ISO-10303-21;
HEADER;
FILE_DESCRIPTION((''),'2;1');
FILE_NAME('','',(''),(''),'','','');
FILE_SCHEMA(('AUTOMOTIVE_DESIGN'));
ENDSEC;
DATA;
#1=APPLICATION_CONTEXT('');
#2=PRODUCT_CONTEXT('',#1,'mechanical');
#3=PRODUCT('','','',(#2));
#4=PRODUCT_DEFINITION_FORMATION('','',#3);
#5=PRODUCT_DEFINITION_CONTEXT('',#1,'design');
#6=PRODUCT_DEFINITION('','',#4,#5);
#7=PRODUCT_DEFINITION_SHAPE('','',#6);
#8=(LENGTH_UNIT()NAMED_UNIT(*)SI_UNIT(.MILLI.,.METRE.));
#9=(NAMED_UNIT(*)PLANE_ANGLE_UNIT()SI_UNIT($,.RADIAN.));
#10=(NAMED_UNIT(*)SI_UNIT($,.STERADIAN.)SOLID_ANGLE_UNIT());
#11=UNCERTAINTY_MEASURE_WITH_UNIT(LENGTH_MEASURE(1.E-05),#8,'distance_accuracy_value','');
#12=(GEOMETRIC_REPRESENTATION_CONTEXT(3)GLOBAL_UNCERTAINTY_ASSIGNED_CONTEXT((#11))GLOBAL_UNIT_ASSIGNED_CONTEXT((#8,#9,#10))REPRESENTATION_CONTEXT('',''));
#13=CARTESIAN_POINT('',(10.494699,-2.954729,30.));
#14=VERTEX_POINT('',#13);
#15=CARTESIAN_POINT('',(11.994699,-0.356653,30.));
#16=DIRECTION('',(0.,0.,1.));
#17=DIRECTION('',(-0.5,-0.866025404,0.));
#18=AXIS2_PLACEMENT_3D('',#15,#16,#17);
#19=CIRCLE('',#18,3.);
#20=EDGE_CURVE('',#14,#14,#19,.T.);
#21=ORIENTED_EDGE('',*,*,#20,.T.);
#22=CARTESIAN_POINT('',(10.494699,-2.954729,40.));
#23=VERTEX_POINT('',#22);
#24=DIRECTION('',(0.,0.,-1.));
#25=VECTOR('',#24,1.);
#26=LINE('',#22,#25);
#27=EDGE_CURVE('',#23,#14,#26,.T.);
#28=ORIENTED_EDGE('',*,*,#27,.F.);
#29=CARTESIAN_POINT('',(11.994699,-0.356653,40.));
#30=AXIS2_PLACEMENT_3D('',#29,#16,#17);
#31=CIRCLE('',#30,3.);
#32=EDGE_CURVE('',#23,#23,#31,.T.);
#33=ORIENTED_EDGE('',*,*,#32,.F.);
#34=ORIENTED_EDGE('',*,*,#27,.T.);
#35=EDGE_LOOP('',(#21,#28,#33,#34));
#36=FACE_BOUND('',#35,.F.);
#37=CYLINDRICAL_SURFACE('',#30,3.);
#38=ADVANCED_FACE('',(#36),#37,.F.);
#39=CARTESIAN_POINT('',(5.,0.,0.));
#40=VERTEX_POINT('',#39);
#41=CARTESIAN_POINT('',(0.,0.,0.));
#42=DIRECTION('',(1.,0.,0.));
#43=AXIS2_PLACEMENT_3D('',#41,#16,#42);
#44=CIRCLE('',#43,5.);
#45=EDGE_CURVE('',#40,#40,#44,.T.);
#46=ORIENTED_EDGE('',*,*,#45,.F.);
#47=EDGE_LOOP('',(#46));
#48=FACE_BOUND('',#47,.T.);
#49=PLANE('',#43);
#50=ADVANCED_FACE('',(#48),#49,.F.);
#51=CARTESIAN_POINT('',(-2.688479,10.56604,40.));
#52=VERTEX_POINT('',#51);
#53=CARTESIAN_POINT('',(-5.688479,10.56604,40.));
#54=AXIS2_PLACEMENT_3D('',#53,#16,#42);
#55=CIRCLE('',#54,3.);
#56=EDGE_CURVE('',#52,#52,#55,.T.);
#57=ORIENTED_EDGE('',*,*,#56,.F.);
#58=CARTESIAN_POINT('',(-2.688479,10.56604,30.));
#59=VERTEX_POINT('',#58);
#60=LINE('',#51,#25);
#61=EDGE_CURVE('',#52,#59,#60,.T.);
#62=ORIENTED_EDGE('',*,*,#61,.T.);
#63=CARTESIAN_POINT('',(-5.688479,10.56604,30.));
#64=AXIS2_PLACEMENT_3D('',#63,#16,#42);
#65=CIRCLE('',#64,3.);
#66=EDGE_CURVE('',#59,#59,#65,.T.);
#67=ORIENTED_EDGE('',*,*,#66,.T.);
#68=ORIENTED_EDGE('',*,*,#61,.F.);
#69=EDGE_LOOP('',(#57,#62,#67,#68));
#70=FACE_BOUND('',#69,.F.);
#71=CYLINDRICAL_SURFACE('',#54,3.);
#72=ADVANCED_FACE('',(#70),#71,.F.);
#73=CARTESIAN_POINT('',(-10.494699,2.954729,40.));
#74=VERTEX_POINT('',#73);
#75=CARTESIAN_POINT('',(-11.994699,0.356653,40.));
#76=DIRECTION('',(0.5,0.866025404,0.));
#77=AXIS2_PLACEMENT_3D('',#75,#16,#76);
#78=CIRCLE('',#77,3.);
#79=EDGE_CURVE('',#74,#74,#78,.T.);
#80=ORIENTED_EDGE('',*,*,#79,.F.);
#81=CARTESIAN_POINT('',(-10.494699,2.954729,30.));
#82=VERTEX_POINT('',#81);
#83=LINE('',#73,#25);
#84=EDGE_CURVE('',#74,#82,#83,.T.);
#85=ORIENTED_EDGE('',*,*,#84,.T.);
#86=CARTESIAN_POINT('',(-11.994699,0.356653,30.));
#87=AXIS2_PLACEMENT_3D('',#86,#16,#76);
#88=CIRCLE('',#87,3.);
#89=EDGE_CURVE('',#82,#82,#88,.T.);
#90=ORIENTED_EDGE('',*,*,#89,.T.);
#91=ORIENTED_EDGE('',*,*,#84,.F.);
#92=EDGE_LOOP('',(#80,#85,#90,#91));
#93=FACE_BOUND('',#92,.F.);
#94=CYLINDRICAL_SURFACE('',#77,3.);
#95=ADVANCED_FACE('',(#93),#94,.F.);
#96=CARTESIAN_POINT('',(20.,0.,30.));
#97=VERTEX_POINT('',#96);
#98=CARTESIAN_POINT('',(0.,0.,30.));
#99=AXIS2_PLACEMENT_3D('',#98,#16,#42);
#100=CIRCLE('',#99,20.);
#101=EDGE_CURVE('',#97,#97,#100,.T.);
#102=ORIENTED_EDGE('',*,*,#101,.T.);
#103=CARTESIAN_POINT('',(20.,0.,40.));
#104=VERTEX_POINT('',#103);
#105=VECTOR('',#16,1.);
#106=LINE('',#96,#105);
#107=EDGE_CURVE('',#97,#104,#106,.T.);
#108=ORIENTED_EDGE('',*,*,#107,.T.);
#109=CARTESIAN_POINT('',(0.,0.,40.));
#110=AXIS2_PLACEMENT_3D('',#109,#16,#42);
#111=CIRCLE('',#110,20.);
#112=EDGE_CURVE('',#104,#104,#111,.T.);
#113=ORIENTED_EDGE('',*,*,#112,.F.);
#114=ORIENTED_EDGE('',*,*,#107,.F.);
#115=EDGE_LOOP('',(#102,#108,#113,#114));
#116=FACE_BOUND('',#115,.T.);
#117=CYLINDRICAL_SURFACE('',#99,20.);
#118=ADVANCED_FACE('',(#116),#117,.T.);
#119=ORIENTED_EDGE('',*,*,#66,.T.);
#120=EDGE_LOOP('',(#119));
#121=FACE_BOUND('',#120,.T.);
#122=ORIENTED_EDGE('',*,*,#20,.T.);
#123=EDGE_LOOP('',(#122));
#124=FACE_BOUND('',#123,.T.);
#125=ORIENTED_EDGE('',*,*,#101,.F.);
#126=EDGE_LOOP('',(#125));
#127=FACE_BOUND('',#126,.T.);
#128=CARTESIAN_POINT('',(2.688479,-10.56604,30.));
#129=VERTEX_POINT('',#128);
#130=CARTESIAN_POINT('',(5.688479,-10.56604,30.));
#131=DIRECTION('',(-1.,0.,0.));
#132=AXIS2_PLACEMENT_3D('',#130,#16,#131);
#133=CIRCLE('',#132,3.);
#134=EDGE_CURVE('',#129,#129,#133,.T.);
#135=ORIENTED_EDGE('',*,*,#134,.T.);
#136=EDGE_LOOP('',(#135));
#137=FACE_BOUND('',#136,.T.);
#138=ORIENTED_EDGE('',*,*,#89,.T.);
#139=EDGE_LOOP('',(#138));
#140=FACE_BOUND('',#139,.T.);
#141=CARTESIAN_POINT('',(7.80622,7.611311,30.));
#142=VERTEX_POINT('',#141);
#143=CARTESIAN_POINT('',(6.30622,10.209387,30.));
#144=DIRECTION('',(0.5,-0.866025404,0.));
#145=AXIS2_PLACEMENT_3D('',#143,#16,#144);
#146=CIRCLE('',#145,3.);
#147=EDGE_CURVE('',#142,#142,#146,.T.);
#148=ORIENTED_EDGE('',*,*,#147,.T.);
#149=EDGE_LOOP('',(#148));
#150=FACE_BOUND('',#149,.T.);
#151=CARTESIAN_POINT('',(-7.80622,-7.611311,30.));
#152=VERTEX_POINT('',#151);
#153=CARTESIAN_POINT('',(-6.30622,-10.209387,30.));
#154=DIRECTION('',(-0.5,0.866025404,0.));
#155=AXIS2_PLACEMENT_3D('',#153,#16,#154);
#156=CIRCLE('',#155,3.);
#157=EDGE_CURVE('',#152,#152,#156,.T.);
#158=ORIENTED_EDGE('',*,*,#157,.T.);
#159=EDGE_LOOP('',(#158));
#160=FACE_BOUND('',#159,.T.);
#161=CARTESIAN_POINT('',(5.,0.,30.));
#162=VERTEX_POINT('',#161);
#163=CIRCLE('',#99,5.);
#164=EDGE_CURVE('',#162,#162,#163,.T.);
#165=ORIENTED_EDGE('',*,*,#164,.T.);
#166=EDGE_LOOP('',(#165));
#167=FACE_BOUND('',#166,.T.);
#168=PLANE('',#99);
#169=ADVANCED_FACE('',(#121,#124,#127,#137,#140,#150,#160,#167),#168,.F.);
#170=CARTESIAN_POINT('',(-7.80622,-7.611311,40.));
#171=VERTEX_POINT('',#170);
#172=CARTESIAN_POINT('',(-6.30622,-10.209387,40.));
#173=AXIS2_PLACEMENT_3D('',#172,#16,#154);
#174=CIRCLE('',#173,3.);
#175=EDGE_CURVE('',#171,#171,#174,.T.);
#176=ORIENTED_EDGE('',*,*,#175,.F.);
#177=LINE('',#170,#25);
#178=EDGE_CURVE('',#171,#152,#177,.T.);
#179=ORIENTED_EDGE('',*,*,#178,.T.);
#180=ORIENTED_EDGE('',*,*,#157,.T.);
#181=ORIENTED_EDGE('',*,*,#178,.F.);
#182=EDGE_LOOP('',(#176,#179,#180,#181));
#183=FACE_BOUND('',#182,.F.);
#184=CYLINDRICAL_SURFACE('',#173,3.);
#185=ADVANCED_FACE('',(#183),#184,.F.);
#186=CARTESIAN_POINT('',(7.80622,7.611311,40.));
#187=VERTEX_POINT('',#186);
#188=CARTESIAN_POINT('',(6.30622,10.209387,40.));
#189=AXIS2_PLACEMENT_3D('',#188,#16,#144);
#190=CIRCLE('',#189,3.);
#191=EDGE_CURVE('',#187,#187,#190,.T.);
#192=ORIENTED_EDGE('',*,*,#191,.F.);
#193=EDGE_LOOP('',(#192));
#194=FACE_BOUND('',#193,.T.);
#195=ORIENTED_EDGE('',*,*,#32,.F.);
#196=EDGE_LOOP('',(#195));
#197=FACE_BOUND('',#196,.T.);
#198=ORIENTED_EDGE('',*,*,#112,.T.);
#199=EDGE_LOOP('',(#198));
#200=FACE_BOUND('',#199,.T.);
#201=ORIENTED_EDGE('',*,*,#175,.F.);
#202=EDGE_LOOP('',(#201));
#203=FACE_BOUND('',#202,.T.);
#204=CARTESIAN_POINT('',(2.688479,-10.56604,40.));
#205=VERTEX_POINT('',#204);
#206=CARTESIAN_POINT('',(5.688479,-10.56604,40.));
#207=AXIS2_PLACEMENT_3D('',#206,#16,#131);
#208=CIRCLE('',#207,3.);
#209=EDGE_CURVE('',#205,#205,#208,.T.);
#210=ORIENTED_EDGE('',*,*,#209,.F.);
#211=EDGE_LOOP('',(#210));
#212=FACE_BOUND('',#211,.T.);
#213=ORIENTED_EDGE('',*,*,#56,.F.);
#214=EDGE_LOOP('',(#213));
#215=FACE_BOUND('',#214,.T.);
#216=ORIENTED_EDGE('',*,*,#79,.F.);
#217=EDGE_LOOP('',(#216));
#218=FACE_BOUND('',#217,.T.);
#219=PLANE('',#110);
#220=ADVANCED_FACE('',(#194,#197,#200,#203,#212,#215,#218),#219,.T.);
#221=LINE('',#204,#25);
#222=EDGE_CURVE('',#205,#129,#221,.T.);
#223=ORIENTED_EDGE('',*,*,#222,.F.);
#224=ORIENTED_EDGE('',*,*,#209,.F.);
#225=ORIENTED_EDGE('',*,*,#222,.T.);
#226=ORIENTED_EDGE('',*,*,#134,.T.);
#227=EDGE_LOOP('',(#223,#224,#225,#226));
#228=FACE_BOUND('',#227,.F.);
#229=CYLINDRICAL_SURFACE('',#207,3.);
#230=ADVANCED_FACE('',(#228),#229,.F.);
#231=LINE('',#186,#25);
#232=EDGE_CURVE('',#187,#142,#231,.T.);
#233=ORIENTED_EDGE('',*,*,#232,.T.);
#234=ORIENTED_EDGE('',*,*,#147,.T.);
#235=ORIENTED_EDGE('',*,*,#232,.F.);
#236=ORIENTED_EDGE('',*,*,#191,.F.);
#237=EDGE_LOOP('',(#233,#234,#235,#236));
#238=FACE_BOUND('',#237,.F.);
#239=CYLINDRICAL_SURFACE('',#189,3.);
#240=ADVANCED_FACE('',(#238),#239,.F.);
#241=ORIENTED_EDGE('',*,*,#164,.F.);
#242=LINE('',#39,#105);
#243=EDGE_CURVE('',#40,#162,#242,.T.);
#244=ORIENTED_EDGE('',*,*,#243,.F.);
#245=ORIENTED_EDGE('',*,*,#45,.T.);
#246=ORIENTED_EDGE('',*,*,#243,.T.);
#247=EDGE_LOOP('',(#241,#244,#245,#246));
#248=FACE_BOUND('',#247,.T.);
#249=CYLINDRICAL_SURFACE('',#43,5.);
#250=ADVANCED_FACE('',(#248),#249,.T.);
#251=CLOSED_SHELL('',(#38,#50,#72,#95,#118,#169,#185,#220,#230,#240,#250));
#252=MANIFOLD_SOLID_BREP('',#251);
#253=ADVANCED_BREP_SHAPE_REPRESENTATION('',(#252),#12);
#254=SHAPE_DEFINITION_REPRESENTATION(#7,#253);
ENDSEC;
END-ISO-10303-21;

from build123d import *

# Parameters (mm, degrees)
SKETCH001_R        = 3
POCKET_DEPTH       = 10
POLARPATTERN_COUNT = 6


with BuildPart() as part:
    # Sketch → Revolution (revolve)
    with BuildSketch(Plane.XZ):
        Polygon((0, 0), (5, 0), (5, 30), (20, 30), (20, 40), (0, 40), align=None)
    revolve(axis=Axis((0, 0, 0), (0, 0, 1)))

    # Sketch001 (on Face5 of Revolution) → Pocket (cut)
    with BuildSketch(Plane.XY.offset(40)):
        with Locations((-5.688479, 10.56604)):
            Circle(SKETCH001_R)
    pocket = extrude(amount=-POCKET_DEPTH, mode=Mode.SUBTRACT)

    # PolarPattern: Pocket ×6 about axis
    polarpattern_axis = Axis((0, 0, 40), (0, 0, 1))
    for i in range(1, POLARPATTERN_COUNT):
        add(pocket.rotate(polarpattern_axis, i * 360 / POLARPATTERN_COUNT), mode=Mode.SUBTRACT)


solid = part.part
